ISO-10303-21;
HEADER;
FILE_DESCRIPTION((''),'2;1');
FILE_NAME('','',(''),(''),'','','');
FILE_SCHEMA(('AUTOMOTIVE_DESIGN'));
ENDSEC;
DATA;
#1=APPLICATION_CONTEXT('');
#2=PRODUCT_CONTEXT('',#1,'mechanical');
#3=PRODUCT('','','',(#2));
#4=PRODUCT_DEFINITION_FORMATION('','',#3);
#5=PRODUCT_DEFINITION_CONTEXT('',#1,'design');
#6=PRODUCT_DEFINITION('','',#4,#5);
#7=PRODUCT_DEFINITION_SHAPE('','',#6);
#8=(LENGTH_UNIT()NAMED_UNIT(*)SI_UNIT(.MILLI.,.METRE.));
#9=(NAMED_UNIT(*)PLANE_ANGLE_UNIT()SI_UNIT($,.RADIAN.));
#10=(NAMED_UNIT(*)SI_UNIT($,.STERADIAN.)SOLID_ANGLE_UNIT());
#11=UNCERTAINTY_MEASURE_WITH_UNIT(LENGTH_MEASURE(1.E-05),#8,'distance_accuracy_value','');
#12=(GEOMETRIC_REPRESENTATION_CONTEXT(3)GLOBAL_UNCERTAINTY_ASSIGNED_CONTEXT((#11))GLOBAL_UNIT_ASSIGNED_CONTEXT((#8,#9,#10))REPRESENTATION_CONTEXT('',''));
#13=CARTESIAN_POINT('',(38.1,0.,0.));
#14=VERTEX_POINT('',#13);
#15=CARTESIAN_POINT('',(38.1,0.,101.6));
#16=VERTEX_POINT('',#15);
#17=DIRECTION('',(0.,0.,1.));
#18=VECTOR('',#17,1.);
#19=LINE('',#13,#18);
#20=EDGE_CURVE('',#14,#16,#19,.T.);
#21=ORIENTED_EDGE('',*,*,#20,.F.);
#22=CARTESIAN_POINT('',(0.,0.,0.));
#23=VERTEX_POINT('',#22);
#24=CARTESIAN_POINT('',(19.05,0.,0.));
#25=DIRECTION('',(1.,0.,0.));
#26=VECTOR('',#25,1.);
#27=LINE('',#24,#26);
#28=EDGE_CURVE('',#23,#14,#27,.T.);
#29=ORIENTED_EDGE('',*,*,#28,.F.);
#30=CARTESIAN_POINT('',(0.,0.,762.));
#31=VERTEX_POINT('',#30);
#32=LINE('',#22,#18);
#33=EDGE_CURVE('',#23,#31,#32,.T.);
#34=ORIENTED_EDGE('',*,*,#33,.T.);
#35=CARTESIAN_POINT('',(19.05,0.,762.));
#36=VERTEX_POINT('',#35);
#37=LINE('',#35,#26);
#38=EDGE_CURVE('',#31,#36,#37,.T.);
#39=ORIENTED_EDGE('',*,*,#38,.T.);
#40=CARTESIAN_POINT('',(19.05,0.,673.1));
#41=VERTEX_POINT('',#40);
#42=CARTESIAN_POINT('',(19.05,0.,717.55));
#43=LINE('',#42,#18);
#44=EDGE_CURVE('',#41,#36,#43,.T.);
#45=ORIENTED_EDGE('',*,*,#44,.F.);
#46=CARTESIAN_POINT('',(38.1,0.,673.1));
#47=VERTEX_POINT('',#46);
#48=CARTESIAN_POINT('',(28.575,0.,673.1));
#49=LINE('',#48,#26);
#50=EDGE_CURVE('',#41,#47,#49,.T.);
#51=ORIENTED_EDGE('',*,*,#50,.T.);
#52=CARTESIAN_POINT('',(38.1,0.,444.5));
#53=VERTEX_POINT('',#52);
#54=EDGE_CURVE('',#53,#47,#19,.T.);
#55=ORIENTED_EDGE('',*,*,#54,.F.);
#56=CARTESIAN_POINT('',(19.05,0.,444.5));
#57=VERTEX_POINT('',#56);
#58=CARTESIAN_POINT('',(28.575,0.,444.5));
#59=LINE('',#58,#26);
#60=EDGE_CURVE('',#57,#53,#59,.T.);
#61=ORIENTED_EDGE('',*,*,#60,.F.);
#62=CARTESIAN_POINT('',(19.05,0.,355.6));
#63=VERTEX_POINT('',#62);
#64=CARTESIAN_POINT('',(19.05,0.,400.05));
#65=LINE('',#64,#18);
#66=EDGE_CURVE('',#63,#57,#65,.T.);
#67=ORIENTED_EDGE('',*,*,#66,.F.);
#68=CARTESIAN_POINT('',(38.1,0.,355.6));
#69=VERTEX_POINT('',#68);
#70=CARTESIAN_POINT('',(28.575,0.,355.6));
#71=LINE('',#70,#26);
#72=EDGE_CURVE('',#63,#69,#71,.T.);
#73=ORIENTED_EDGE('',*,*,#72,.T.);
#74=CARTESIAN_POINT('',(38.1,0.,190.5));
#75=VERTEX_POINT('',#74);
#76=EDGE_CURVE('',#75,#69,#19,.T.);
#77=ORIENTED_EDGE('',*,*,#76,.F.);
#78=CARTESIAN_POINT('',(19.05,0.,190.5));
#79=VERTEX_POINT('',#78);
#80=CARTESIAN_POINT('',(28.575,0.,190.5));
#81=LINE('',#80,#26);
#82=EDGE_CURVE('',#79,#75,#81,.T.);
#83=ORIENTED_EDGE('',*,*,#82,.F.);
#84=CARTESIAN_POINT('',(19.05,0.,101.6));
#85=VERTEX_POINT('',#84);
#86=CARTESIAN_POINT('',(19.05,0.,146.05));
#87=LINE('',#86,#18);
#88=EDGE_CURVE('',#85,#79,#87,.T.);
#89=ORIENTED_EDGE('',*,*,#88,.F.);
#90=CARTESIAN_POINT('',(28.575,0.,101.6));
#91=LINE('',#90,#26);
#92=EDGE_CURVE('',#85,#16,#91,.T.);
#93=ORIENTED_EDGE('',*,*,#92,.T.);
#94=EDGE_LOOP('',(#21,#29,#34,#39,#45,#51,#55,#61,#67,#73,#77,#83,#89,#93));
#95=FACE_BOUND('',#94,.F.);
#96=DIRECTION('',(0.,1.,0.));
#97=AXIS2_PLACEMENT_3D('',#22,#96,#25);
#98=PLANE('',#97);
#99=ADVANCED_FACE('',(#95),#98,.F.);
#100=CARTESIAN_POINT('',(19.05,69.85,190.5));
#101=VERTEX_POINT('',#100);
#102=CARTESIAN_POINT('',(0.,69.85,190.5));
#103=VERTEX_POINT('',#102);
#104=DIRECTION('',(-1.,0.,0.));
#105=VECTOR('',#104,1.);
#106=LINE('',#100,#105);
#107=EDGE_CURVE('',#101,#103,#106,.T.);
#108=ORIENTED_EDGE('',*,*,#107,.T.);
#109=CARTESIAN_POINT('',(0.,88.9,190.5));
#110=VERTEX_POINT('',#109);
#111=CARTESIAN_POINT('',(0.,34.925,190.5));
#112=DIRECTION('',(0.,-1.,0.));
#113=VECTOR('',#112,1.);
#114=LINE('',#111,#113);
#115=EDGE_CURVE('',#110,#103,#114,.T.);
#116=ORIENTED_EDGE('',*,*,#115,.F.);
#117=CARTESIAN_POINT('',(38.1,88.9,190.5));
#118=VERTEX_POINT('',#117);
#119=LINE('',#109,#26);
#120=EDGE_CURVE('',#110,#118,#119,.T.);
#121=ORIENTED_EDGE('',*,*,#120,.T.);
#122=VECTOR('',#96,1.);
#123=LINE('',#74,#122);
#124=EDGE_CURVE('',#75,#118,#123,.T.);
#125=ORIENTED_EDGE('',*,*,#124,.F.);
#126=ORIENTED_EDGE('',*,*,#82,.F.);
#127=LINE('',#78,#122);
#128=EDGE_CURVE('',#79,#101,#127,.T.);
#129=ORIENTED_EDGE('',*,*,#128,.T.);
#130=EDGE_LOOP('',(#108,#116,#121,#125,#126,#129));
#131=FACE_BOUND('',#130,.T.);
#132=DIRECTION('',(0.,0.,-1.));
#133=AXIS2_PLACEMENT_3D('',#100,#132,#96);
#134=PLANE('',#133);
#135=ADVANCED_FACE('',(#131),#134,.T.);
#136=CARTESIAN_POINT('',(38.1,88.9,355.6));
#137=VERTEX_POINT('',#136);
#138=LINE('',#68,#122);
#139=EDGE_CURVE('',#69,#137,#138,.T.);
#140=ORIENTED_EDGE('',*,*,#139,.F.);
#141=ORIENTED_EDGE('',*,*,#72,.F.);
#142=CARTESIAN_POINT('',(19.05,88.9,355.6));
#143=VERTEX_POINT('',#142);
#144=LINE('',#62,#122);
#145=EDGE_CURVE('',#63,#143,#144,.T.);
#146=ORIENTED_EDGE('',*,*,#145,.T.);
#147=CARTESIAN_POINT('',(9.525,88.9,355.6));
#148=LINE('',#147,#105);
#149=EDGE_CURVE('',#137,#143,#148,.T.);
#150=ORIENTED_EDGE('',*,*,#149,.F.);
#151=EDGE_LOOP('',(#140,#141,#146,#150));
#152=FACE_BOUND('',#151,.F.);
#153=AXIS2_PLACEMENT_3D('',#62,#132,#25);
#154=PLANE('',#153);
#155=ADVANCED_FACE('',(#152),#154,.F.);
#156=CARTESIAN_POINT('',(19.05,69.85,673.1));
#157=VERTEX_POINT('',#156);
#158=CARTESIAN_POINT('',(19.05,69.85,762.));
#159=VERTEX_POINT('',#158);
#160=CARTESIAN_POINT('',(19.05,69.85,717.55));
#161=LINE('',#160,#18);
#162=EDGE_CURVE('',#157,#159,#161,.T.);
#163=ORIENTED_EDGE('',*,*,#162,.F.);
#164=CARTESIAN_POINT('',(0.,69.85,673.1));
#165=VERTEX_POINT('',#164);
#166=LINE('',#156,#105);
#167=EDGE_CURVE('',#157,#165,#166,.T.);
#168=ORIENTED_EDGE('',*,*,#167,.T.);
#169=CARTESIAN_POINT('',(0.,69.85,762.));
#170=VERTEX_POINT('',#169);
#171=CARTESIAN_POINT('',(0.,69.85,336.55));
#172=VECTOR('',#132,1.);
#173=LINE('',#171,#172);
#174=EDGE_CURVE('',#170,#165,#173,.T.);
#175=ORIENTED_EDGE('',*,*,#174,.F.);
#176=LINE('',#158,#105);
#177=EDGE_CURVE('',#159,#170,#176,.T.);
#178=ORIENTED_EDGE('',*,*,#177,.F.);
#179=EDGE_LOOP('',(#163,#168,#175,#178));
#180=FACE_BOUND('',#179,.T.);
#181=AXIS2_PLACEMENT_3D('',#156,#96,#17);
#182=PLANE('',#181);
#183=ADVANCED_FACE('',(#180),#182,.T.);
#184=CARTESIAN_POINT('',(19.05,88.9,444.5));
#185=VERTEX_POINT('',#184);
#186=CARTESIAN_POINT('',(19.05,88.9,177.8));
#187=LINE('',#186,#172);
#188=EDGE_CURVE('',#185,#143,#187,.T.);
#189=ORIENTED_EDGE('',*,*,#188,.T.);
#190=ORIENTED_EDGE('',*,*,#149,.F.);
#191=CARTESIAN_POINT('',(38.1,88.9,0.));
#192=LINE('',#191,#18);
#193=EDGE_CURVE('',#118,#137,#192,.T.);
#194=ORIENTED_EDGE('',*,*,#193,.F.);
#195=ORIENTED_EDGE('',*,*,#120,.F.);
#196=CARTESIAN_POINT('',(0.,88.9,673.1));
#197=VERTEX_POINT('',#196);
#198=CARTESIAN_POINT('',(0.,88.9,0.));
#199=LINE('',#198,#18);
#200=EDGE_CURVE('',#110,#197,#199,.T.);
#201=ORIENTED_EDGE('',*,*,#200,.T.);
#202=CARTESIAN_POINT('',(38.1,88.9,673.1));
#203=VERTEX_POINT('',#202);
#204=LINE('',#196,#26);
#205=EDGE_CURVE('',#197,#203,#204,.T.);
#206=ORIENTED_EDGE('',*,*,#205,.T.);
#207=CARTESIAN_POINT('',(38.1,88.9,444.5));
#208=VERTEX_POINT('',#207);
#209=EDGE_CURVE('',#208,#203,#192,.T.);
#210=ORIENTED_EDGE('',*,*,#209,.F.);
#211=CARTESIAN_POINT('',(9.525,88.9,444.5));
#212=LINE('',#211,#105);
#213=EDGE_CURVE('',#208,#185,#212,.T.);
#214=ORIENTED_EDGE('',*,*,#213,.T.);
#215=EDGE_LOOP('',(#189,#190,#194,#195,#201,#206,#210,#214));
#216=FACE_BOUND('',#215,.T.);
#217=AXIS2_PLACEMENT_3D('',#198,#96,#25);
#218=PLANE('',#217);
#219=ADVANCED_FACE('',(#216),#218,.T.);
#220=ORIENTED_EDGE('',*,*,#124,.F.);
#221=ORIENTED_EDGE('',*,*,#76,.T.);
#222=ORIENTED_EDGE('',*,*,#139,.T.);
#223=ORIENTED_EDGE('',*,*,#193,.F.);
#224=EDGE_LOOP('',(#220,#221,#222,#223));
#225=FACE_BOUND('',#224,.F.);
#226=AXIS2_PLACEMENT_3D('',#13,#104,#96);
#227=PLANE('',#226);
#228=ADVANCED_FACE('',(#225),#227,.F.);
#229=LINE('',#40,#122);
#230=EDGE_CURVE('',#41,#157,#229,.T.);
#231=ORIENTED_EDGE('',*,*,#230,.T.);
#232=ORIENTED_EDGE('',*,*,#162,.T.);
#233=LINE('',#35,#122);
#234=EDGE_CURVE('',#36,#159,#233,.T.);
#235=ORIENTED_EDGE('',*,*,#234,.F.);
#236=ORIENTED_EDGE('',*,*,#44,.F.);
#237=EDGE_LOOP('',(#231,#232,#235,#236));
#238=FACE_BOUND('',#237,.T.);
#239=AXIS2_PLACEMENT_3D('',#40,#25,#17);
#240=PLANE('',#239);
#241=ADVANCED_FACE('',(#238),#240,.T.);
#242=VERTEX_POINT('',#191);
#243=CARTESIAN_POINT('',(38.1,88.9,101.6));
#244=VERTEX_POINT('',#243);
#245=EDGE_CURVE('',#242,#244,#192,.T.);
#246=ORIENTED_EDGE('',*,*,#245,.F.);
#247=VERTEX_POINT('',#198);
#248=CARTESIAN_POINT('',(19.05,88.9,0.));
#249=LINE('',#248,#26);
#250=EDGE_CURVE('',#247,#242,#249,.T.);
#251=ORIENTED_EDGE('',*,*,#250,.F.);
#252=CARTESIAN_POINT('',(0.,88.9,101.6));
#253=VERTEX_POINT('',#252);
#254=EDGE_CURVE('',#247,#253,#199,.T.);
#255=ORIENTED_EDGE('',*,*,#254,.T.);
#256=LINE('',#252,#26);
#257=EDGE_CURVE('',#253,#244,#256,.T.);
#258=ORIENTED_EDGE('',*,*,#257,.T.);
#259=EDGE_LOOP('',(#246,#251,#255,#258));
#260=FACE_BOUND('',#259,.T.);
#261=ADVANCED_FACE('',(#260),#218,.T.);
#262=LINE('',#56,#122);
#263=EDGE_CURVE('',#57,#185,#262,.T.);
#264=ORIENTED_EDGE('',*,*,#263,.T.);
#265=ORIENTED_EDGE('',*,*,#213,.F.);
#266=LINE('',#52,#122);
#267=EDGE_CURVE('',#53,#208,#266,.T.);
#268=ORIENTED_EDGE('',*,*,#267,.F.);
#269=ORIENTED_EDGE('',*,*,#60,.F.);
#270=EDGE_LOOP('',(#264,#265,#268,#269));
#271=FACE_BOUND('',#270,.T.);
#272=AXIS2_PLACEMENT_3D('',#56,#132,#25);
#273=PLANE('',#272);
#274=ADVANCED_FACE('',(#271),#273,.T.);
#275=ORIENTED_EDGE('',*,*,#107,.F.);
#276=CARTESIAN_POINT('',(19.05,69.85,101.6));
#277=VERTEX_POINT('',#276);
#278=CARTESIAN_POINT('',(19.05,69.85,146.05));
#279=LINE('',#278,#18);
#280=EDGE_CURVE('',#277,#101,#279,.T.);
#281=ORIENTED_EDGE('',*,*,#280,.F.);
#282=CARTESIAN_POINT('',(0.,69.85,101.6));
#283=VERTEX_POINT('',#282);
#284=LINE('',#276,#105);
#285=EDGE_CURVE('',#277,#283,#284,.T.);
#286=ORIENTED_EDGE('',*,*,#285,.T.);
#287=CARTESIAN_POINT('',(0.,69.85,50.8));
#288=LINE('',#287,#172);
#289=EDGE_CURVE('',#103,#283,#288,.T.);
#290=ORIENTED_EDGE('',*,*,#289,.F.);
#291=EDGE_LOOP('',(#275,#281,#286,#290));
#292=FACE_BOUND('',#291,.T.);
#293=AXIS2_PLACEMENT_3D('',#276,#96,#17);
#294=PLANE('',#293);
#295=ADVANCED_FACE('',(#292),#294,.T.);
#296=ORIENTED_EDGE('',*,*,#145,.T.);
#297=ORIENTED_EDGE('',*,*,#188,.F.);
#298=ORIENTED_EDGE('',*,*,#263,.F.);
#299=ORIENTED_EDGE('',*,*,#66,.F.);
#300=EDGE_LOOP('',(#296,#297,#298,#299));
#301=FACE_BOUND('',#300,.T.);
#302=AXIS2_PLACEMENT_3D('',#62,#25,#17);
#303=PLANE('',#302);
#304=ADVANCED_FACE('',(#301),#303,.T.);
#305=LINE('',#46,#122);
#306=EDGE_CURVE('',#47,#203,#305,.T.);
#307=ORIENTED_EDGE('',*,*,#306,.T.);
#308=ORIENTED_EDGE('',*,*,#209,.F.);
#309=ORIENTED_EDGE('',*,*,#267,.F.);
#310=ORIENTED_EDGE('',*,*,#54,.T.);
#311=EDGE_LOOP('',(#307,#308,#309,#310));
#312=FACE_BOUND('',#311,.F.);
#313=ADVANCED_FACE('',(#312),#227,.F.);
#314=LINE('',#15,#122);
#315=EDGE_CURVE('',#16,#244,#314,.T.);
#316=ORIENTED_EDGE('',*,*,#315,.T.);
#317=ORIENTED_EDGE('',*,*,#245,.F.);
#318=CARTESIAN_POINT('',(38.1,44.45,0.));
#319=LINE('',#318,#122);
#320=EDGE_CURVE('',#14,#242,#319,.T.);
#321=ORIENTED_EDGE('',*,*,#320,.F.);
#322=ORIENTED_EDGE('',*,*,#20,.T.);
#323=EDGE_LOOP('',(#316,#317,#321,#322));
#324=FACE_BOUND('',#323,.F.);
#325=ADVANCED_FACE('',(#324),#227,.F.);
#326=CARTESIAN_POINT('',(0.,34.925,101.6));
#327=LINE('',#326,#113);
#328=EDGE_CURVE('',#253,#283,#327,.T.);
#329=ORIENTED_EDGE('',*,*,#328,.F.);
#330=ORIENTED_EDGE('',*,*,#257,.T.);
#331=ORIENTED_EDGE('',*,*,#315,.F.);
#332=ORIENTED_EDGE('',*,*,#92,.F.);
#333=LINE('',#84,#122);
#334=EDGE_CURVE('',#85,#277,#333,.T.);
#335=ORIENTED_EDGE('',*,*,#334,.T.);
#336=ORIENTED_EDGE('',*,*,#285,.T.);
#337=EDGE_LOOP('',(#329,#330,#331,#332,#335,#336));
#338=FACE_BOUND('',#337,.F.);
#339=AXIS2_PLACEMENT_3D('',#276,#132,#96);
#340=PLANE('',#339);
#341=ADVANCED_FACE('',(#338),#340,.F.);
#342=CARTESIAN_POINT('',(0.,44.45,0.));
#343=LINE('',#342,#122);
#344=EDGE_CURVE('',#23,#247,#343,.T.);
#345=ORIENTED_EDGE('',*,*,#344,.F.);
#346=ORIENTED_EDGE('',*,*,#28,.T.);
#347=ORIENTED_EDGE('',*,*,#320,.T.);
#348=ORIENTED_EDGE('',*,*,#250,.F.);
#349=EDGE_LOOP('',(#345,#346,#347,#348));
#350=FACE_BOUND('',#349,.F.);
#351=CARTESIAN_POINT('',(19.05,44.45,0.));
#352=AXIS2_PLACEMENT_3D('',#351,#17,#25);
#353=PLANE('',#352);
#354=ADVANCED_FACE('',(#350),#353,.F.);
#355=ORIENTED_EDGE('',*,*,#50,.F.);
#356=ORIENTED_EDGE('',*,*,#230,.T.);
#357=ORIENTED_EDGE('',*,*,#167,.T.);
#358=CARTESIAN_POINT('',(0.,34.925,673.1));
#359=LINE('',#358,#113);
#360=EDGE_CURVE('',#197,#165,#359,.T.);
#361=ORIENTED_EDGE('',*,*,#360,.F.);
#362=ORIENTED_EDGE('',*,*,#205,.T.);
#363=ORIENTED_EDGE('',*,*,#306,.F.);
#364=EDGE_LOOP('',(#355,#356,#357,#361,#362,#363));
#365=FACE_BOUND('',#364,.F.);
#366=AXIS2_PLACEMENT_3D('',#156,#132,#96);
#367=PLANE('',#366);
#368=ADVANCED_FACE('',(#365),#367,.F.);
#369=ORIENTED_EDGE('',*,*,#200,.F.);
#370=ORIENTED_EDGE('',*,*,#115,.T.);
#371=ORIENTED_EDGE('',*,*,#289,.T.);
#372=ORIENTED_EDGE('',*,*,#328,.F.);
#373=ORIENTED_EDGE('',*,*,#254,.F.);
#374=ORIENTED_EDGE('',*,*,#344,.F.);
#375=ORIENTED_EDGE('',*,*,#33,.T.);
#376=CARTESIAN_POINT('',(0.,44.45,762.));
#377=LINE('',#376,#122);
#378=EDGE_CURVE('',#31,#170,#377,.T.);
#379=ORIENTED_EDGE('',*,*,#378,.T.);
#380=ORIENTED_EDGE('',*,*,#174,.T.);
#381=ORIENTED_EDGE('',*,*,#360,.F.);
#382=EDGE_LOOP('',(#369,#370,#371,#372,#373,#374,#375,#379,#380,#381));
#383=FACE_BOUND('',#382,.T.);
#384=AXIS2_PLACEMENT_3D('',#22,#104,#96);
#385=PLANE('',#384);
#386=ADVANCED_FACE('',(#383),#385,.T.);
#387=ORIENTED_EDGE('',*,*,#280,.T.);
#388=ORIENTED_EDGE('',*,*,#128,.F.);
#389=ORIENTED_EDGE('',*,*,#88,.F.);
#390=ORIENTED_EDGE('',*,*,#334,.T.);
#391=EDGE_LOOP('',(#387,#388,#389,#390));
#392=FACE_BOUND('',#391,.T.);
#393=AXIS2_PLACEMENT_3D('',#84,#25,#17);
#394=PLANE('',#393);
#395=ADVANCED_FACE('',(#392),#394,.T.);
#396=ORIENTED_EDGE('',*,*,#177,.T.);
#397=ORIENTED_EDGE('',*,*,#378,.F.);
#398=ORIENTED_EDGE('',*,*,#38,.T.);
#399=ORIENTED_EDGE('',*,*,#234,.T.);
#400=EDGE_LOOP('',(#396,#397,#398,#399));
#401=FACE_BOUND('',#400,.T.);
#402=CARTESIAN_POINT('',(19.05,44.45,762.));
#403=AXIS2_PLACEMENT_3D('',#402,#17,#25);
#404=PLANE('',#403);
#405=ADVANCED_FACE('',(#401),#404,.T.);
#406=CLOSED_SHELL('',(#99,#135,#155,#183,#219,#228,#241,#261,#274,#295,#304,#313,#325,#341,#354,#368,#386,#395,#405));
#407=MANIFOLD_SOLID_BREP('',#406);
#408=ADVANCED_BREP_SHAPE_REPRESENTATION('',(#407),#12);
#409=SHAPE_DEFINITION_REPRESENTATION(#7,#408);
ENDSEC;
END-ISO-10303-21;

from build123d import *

# Parameters (mm, degrees)
F0_W      = 38.1
F0_H      = 88.9
F1_DEPTH  = 762
F2_W      = 19.05
F2_H      = 88.9
F3_DEPTH  = 88.901
F4_W      = 19.05
F4_H      = 88.9
F5_DEPTH  = 88.901
F6_W      = 19.05
F6_H      = 88.9
F7_DEPTH  = 88.901
F8_W      = 19.05
F8_H      = 88.9
F9_DEPTH  = 19.051
F10_W     = 19.05
F10_H     = 88.9
F11_DEPTH = 19.051


with BuildPart() as f1:
    # F0 (on Top) → F1 (new body)
    with BuildSketch(Plane.XY):
        with Locations((19.05, 44.45)):
            Rectangle(F0_W, F0_H)
    extrude(amount=F1_DEPTH)

    # F2 (on face) → F3 (cut, through all)
    with BuildSketch(Plane.XZ):
        with Locations((28.575, 717.55)):
            Rectangle(F2_W, F2_H)
    extrude(amount=-F3_DEPTH, mode=Mode.SUBTRACT)

    # F4 (on face) → F5 (cut, through all)
    with BuildSketch(Plane.XZ):
        with Locations((28.575, 146.05)):
            Rectangle(F4_W, F4_H)
    extrude(amount=-F5_DEPTH, mode=Mode.SUBTRACT)

    # F6 (on face) → F7 (cut, through all)
    with BuildSketch(Plane.XZ):
        with Locations((28.575, 400.05)):
            Rectangle(F6_W, F6_H)
    extrude(amount=-F7_DEPTH, mode=Mode.SUBTRACT)

    # F8 (on face) → F9 (cut, through all)
    with BuildSketch(Plane.YZ.offset(19.05)):
        with Locations((79.375, 717.55)):
            Rectangle(F8_W, F8_H)
    extrude(amount=-F9_DEPTH, mode=Mode.SUBTRACT)

    # F10 (on face) → F11 (cut, through all)
    with BuildSketch(Plane.YZ.offset(19.05)):
        with Locations((79.375, 146.05)):
            Rectangle(F10_W, F10_H)
    extrude(amount=-F11_DEPTH, mode=Mode.SUBTRACT)


solid = f1.part
